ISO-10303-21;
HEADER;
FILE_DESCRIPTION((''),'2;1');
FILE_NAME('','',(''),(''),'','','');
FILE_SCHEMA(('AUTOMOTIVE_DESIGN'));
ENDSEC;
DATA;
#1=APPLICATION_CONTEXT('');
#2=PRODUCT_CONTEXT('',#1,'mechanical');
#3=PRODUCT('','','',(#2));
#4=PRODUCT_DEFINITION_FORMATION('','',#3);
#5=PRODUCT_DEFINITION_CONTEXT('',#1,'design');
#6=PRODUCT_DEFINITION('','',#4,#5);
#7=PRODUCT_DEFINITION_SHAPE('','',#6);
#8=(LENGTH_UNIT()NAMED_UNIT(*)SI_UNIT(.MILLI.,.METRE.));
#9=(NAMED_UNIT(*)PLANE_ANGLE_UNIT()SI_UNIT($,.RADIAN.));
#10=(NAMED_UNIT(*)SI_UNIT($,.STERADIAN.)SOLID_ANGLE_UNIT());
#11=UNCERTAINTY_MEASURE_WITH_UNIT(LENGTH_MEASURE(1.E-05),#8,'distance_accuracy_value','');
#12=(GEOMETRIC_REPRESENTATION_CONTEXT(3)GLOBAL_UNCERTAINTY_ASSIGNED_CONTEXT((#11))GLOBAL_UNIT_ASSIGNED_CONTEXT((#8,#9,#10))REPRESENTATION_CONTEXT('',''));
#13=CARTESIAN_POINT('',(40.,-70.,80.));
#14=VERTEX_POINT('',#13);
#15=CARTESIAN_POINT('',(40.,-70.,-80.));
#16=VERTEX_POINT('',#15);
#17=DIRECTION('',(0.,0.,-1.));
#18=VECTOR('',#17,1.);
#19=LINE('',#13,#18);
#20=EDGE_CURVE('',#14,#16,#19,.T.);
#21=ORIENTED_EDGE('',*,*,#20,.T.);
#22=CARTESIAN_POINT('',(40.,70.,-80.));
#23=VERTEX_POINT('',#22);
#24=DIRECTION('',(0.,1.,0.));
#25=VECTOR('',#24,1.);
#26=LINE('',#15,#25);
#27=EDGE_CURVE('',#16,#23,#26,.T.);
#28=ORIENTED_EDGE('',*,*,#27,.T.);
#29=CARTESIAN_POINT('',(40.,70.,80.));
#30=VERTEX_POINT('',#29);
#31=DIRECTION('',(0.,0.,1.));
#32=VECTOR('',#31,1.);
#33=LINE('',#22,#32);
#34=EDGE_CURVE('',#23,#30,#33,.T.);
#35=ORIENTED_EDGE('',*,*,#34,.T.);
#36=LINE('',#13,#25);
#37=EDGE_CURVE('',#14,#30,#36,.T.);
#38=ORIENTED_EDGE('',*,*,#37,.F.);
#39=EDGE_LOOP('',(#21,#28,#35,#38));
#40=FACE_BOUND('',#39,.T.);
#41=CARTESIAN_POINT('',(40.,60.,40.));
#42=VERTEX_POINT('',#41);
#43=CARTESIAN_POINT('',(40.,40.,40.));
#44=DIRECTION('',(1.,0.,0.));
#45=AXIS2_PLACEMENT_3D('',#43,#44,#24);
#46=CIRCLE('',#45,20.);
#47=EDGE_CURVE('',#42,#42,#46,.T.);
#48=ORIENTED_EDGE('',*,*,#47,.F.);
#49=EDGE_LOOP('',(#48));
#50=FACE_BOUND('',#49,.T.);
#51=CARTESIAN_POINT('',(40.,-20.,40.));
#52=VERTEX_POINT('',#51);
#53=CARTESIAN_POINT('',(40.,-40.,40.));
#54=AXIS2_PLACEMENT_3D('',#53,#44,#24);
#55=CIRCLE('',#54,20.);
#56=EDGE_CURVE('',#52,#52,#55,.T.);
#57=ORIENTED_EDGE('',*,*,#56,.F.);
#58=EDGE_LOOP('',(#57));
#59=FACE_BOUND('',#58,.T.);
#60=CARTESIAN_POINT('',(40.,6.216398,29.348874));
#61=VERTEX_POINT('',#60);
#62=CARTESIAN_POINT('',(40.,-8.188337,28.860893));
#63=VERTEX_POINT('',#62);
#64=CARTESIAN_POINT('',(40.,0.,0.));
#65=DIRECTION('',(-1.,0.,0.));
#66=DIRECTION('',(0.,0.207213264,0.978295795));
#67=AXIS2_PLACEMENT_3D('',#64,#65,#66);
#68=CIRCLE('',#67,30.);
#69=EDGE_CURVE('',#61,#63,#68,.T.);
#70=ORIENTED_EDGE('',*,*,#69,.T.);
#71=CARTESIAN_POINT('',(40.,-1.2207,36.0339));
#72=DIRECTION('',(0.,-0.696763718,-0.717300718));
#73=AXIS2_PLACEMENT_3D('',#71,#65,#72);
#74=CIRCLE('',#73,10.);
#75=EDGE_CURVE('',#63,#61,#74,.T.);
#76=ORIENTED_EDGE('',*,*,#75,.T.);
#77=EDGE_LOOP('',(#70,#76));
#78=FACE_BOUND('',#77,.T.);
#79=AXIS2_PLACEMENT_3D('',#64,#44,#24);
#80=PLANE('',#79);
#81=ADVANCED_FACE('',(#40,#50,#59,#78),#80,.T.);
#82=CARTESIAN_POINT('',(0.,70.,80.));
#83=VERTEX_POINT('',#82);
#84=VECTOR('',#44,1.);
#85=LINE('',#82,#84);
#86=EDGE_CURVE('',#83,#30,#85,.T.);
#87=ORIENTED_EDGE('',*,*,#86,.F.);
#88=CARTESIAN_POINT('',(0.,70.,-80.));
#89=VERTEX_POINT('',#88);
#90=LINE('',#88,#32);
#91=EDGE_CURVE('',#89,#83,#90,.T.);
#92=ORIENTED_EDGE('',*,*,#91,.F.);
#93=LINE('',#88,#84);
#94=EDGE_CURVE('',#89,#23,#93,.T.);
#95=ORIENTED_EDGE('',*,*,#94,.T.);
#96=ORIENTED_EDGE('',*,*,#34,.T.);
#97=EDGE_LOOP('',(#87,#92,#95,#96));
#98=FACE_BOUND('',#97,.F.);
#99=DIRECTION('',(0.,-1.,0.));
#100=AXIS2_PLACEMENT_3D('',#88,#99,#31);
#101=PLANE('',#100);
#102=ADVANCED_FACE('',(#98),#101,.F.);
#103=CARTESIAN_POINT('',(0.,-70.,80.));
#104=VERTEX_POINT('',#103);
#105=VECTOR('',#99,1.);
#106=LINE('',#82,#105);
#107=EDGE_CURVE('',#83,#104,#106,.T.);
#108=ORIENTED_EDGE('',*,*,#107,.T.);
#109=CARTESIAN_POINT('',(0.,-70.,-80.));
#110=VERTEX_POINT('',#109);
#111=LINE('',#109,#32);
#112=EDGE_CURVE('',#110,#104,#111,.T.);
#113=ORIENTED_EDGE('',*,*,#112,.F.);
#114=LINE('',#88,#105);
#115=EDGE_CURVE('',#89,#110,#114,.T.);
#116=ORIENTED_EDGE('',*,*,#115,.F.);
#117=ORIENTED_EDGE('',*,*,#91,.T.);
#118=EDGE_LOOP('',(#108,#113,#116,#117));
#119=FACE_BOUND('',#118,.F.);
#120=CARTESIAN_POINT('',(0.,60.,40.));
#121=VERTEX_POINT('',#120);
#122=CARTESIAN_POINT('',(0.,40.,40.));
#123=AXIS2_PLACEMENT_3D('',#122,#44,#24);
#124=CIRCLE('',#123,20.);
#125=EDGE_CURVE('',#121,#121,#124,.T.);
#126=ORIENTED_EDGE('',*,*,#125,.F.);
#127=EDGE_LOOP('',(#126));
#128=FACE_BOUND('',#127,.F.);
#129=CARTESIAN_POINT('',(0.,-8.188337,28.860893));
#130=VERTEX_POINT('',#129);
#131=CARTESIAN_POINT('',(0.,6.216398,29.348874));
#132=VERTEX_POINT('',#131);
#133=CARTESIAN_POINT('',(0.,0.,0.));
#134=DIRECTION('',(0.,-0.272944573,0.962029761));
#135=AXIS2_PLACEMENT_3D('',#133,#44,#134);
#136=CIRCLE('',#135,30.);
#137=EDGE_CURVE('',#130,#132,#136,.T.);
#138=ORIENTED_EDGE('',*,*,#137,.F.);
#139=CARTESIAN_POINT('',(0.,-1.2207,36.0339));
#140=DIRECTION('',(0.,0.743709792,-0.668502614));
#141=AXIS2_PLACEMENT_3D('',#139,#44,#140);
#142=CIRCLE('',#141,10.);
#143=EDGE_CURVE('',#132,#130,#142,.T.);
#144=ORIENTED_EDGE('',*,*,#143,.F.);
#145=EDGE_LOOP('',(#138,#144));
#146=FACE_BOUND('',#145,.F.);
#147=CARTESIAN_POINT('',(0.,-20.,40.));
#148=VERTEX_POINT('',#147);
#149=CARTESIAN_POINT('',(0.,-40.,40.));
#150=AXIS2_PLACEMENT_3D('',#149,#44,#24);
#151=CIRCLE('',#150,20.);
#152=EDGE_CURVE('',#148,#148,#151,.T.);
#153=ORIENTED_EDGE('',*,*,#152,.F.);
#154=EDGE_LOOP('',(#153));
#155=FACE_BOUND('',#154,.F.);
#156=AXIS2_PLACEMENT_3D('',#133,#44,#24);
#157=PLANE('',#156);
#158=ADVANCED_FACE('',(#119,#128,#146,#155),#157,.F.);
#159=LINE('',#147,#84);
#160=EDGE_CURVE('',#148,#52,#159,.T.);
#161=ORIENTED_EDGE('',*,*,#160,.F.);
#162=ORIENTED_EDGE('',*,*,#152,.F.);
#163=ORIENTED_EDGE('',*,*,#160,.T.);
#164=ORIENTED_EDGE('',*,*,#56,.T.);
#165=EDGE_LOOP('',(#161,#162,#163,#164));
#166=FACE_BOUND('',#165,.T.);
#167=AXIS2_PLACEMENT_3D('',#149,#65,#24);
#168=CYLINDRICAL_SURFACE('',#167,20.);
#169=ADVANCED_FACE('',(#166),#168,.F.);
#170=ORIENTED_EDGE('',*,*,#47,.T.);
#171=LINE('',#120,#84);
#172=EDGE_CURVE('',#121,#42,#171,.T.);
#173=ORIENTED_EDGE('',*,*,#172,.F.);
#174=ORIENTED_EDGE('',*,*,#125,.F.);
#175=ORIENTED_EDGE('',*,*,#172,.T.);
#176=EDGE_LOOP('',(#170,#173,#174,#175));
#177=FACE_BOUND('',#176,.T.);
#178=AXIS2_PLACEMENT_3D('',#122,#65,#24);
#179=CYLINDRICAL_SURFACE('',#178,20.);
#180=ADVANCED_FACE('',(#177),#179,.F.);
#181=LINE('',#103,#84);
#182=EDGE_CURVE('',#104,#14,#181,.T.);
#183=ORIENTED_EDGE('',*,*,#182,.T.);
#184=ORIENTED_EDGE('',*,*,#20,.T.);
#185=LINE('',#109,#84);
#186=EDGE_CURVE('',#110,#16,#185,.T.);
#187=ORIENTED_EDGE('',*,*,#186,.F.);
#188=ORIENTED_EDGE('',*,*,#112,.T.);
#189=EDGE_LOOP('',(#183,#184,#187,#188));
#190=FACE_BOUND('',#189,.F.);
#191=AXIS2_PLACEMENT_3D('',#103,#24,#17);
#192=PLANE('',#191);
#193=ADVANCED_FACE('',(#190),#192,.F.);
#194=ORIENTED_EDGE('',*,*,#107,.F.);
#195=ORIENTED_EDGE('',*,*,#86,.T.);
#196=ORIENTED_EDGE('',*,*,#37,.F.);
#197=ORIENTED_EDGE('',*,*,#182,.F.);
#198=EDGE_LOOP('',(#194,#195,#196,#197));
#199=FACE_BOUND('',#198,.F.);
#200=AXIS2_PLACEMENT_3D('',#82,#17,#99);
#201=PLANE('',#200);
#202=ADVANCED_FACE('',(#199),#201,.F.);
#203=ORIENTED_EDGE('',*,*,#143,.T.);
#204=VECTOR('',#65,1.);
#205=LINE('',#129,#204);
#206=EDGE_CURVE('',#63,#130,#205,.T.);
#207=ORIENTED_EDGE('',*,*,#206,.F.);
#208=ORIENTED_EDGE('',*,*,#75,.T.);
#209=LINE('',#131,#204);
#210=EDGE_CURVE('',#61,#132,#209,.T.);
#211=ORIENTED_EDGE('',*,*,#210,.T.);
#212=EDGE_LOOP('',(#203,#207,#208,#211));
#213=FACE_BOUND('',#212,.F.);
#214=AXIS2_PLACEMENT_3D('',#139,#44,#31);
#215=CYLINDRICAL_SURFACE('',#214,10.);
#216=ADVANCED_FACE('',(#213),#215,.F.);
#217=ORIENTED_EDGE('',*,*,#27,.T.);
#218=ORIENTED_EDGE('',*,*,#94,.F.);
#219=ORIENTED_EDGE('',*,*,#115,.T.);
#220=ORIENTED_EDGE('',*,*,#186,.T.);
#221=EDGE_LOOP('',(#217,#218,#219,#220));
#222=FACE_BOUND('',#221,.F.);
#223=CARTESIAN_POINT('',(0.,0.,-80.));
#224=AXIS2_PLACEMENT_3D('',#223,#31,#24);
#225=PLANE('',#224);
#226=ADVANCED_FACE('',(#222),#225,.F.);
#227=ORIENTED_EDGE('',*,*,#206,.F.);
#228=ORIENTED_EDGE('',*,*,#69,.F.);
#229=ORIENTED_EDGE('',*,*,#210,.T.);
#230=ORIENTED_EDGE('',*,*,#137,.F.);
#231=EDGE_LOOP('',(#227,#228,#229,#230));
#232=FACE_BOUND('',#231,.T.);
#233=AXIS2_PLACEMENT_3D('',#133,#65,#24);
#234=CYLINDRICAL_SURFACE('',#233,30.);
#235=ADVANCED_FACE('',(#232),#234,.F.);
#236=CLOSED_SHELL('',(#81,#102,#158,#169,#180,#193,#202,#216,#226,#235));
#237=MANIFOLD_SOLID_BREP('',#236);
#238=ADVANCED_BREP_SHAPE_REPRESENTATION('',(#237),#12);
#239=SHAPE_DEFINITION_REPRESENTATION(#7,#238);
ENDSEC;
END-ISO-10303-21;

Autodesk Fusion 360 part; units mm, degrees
sketch "Eskiz1" plane through (0, 0, 0) normal (1, 0, 0) x (0, 1, 0)
  line L0 (0, 80) -> (-70, 80)
  line L1 (-70, 80) -> (-70, 0)
  line L2 (-70, 0) -> (-70, -80)
  line L3 (-70, -80) -> (0, -80)
  line L4 (0, -80) -> (70, -80)
  line L5 (70, -80) -> (70, 80)
  line L6 (70, 80) -> (0, 80)
  circle A0 centre (-40, 40) radius 20
  circle A1 centre (40, 40) radius 20
  circle A2 centre (0, 0) radius 30
  line L7 (-50, -30) -> (46.201, -30)
sketch "Eskiz2" plane through (0, 0, 0) normal (1, 0, 0) x (0, 1, 0)
  line L0 (-50, -30) -> (-50, -70)
  line L1 (-50, -70) -> (50, -70)
  line L2 (50, -70) -> (50, -30)
  line L3 (50, -30) -> (44.9021, -30)
  line L4 (44.9021, -30) -> (50, -30)
  line L5 (50, -10) -> (-50, -10)
  line L6 (-50, -10) -> (-50, -30)
extrude "Ekstrüde Et1" add sketch "Eskiz1" along normal blind 40
sketch "Eskiz3" plane through (0, 0, 0) normal (1, 0, 0) x (0, 1, 0)
  line L0 (50, -10) -> (50, -30)
  line L1 (50, -30) -> (50, -40)
hole "Delik1" at (0, -1.2207, 36.0339) direction (1, 0, 0) diameter 20 depth 60 tip angle 118
sketch "Eskiz4" plane through (0, 0, 0) normal (0, 0, 1) x (1, 0, 0)
  line L0 (-1830, 50) -> (0, 16.9589)
